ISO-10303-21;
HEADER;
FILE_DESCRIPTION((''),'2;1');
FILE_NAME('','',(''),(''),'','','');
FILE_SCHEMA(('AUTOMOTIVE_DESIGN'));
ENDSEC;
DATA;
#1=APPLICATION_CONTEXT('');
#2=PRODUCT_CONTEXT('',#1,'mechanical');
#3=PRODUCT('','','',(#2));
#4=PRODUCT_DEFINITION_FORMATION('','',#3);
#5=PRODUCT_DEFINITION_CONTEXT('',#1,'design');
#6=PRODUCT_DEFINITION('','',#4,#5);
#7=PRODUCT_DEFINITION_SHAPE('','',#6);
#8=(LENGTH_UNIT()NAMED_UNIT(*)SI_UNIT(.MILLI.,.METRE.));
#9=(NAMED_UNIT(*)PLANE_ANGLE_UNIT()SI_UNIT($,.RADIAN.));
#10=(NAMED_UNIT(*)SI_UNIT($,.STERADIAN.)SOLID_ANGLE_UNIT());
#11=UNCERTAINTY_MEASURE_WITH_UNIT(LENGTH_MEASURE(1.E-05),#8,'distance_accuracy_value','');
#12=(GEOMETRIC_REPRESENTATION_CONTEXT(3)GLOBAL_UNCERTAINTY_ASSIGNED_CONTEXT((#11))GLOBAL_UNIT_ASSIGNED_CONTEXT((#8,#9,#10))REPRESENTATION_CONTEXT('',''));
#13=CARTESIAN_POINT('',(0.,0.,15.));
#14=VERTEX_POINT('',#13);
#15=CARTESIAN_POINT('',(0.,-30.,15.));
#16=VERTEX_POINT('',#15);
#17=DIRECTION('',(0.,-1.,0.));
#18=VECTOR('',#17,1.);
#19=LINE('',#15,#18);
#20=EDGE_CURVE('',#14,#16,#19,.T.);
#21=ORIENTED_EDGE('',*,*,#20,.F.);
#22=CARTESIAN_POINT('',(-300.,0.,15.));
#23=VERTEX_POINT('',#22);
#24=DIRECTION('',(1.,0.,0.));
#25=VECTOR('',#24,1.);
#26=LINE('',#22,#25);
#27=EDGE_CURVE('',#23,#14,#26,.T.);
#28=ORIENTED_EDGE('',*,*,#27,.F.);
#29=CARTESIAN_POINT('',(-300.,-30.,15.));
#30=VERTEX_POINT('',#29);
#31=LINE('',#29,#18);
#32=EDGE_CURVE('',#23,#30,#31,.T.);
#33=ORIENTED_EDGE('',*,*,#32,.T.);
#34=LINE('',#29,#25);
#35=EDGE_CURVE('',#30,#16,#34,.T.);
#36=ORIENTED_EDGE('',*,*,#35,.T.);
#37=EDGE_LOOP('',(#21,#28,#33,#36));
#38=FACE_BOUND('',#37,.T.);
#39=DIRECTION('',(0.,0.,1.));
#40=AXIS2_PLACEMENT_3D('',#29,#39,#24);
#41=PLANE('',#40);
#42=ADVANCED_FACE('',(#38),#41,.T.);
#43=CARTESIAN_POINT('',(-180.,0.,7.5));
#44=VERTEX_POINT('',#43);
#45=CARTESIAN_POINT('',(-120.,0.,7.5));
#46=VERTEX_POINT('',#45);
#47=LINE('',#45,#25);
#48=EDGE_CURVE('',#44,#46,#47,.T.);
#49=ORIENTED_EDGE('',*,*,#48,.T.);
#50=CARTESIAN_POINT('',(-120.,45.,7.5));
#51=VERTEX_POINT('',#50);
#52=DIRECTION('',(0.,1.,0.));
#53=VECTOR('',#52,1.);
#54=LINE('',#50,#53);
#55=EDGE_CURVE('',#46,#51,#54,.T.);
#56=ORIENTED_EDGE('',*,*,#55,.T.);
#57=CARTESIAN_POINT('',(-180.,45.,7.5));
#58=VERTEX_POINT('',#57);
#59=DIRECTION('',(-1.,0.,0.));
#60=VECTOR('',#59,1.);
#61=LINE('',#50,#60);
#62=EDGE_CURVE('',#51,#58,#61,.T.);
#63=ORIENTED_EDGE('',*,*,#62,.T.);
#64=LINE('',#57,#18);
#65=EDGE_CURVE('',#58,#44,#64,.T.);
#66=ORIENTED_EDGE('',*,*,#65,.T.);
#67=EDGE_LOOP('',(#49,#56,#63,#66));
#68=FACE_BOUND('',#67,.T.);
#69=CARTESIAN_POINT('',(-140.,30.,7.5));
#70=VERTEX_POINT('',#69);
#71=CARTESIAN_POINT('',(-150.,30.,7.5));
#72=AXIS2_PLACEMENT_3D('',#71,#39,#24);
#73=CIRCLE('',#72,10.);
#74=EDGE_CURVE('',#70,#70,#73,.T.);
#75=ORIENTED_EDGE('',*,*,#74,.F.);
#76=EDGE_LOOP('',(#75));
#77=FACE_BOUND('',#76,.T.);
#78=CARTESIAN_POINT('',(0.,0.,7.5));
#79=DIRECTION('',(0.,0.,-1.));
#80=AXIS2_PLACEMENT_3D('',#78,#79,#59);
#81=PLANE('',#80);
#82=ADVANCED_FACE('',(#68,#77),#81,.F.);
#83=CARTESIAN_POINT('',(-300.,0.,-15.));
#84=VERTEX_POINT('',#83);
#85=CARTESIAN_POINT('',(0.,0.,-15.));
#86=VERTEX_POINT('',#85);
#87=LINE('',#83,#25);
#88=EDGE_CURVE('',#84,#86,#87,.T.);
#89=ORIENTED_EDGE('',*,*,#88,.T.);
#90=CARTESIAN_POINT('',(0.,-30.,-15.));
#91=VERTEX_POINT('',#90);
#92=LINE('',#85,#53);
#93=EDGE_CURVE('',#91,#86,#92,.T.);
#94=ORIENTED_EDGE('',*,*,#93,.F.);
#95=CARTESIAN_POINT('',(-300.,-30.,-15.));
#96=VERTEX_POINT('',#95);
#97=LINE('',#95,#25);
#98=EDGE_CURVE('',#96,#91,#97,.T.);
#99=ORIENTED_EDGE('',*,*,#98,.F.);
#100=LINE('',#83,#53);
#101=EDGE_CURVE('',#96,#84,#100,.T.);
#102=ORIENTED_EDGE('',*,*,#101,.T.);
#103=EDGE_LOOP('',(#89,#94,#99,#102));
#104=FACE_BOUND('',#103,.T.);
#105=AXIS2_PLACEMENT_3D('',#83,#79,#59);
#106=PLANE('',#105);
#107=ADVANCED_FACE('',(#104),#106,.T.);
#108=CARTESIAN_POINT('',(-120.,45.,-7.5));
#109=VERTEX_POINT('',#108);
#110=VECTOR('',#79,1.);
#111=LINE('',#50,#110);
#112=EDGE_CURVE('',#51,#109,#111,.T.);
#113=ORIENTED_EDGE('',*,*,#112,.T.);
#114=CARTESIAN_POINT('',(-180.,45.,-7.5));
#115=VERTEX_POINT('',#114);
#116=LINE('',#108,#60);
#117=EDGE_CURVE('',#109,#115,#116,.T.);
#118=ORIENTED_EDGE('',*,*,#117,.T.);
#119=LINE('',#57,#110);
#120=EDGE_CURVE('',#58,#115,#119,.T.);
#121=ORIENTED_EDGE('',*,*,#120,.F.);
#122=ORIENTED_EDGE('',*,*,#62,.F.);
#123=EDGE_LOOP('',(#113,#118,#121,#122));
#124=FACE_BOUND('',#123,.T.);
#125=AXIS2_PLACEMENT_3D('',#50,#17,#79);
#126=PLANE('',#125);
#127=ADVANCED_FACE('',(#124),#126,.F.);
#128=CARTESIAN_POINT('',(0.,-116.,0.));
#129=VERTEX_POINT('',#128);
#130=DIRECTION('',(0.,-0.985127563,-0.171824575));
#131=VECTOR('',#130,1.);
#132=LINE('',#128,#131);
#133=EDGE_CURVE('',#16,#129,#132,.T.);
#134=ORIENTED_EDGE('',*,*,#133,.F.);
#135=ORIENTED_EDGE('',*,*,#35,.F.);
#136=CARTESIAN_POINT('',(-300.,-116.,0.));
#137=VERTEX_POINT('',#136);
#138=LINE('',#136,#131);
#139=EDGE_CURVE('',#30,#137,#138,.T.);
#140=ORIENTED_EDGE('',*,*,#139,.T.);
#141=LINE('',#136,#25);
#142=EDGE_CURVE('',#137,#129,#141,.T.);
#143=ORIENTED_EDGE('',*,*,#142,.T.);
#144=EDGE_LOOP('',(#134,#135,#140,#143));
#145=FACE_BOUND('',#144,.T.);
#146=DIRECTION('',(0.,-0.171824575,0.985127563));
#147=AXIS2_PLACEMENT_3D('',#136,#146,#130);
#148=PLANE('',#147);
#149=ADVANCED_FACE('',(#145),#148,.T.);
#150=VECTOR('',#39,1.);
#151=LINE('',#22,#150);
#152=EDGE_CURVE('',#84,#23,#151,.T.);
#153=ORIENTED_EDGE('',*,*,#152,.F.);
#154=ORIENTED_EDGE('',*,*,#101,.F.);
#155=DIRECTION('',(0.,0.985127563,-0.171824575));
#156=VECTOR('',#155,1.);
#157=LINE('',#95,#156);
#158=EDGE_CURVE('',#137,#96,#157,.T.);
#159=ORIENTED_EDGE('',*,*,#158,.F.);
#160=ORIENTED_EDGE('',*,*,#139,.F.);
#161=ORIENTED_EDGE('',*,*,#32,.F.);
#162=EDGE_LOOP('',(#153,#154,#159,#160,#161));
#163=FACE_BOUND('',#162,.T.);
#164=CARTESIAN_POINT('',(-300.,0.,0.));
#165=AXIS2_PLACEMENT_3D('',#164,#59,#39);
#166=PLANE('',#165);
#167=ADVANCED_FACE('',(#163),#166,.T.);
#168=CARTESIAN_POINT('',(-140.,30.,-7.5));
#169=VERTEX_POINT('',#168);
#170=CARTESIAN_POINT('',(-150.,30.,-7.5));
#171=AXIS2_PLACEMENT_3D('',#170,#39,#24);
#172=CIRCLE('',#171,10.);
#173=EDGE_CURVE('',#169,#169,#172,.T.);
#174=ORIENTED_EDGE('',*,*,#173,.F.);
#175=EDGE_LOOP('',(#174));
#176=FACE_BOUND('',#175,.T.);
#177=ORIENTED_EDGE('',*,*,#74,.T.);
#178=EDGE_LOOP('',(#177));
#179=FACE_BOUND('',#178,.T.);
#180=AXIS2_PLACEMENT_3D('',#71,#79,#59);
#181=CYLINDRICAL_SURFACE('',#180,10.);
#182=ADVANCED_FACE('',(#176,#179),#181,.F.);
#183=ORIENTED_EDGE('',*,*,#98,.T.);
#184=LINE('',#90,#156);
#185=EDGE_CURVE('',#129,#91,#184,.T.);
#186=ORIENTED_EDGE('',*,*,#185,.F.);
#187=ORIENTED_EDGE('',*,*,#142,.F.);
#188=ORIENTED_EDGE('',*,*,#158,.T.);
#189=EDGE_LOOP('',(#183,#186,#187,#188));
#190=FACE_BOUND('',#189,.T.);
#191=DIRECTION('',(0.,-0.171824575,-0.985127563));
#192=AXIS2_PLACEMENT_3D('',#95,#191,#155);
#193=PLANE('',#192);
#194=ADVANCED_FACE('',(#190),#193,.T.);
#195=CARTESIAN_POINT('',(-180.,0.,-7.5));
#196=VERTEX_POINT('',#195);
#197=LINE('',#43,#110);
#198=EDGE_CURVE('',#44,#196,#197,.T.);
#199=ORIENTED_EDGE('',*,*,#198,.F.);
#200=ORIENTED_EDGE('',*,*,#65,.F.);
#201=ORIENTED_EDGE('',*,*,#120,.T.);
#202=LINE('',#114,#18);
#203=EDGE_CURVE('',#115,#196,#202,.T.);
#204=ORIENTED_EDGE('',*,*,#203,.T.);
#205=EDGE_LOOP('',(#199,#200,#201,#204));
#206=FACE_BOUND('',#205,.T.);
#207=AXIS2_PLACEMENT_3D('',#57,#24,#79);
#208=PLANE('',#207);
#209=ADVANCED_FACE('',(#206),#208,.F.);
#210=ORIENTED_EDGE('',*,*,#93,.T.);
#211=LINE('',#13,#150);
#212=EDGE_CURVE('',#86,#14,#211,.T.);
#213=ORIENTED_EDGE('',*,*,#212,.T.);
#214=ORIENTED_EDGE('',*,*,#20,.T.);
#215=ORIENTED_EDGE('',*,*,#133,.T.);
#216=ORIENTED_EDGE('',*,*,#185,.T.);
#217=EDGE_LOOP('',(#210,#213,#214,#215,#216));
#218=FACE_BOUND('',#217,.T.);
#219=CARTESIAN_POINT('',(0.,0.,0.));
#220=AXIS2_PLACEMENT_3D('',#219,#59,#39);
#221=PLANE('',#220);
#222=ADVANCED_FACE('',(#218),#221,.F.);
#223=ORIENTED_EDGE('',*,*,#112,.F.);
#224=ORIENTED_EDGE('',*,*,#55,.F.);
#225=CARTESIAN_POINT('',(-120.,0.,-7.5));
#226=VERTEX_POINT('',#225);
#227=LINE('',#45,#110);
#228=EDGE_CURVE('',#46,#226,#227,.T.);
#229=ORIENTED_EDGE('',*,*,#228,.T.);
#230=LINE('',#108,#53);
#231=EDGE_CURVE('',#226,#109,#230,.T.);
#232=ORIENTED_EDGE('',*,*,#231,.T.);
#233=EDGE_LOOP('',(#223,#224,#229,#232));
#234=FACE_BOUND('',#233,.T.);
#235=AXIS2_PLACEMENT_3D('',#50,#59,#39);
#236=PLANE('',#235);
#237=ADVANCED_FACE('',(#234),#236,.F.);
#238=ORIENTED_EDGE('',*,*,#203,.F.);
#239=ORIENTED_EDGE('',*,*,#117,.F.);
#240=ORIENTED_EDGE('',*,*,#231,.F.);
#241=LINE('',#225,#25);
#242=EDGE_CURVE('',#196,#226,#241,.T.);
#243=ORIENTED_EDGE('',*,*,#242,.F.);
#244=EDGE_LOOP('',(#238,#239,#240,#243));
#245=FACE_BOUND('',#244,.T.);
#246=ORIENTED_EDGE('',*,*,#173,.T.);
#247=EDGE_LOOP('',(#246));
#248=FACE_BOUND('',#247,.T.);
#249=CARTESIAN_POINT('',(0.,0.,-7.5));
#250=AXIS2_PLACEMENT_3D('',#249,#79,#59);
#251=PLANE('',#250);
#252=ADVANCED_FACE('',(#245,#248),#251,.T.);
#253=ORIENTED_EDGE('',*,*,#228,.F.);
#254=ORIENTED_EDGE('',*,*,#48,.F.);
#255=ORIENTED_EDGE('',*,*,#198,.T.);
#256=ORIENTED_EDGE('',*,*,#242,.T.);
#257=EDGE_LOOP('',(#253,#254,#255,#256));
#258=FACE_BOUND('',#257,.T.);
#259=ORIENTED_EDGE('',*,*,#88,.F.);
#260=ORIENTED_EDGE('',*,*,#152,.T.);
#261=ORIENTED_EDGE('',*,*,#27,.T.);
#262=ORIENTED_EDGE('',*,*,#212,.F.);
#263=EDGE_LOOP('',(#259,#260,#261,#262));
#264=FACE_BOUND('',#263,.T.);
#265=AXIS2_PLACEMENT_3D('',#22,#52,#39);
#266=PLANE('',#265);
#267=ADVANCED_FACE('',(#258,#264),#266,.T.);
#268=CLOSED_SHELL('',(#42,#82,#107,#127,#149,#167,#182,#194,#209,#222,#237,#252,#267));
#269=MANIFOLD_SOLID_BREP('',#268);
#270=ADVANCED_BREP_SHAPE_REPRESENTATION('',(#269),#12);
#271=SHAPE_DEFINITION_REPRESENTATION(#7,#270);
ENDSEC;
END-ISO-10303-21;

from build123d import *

# Parameters (mm, degrees)
BOSS_EXTRUDE1_DEPTH = 300
SKETCH2_W           = 60
SKETCH2_H           = 45
SKETCH2_R           = 10
BOSS_EXTRUDE2_DEPTH = 7.5


with BuildPart() as part:
    # Sketch1 → Boss-Extrude1 (new body)
    with BuildSketch(Plane(origin=(0, 0, 0), x_dir=(0, 0, -1), z_dir=(1, 0, 0))):
        Polygon((-15, 0), (15, 0), (15, -30), (0, -116), (-15, -30), align=None)
    extrude(amount=-BOSS_EXTRUDE1_DEPTH)

    # Sketch2 → Boss-Extrude2 (add, symmetric)
    with BuildSketch(Plane.XY):
        with Locations((-150, 22.5)):
            Rectangle(SKETCH2_W, SKETCH2_H)
        with Locations((-150, 30)):
            Circle(SKETCH2_R, mode=Mode.SUBTRACT)
    extrude(amount=BOSS_EXTRUDE2_DEPTH, both=True)


solid = part.part
